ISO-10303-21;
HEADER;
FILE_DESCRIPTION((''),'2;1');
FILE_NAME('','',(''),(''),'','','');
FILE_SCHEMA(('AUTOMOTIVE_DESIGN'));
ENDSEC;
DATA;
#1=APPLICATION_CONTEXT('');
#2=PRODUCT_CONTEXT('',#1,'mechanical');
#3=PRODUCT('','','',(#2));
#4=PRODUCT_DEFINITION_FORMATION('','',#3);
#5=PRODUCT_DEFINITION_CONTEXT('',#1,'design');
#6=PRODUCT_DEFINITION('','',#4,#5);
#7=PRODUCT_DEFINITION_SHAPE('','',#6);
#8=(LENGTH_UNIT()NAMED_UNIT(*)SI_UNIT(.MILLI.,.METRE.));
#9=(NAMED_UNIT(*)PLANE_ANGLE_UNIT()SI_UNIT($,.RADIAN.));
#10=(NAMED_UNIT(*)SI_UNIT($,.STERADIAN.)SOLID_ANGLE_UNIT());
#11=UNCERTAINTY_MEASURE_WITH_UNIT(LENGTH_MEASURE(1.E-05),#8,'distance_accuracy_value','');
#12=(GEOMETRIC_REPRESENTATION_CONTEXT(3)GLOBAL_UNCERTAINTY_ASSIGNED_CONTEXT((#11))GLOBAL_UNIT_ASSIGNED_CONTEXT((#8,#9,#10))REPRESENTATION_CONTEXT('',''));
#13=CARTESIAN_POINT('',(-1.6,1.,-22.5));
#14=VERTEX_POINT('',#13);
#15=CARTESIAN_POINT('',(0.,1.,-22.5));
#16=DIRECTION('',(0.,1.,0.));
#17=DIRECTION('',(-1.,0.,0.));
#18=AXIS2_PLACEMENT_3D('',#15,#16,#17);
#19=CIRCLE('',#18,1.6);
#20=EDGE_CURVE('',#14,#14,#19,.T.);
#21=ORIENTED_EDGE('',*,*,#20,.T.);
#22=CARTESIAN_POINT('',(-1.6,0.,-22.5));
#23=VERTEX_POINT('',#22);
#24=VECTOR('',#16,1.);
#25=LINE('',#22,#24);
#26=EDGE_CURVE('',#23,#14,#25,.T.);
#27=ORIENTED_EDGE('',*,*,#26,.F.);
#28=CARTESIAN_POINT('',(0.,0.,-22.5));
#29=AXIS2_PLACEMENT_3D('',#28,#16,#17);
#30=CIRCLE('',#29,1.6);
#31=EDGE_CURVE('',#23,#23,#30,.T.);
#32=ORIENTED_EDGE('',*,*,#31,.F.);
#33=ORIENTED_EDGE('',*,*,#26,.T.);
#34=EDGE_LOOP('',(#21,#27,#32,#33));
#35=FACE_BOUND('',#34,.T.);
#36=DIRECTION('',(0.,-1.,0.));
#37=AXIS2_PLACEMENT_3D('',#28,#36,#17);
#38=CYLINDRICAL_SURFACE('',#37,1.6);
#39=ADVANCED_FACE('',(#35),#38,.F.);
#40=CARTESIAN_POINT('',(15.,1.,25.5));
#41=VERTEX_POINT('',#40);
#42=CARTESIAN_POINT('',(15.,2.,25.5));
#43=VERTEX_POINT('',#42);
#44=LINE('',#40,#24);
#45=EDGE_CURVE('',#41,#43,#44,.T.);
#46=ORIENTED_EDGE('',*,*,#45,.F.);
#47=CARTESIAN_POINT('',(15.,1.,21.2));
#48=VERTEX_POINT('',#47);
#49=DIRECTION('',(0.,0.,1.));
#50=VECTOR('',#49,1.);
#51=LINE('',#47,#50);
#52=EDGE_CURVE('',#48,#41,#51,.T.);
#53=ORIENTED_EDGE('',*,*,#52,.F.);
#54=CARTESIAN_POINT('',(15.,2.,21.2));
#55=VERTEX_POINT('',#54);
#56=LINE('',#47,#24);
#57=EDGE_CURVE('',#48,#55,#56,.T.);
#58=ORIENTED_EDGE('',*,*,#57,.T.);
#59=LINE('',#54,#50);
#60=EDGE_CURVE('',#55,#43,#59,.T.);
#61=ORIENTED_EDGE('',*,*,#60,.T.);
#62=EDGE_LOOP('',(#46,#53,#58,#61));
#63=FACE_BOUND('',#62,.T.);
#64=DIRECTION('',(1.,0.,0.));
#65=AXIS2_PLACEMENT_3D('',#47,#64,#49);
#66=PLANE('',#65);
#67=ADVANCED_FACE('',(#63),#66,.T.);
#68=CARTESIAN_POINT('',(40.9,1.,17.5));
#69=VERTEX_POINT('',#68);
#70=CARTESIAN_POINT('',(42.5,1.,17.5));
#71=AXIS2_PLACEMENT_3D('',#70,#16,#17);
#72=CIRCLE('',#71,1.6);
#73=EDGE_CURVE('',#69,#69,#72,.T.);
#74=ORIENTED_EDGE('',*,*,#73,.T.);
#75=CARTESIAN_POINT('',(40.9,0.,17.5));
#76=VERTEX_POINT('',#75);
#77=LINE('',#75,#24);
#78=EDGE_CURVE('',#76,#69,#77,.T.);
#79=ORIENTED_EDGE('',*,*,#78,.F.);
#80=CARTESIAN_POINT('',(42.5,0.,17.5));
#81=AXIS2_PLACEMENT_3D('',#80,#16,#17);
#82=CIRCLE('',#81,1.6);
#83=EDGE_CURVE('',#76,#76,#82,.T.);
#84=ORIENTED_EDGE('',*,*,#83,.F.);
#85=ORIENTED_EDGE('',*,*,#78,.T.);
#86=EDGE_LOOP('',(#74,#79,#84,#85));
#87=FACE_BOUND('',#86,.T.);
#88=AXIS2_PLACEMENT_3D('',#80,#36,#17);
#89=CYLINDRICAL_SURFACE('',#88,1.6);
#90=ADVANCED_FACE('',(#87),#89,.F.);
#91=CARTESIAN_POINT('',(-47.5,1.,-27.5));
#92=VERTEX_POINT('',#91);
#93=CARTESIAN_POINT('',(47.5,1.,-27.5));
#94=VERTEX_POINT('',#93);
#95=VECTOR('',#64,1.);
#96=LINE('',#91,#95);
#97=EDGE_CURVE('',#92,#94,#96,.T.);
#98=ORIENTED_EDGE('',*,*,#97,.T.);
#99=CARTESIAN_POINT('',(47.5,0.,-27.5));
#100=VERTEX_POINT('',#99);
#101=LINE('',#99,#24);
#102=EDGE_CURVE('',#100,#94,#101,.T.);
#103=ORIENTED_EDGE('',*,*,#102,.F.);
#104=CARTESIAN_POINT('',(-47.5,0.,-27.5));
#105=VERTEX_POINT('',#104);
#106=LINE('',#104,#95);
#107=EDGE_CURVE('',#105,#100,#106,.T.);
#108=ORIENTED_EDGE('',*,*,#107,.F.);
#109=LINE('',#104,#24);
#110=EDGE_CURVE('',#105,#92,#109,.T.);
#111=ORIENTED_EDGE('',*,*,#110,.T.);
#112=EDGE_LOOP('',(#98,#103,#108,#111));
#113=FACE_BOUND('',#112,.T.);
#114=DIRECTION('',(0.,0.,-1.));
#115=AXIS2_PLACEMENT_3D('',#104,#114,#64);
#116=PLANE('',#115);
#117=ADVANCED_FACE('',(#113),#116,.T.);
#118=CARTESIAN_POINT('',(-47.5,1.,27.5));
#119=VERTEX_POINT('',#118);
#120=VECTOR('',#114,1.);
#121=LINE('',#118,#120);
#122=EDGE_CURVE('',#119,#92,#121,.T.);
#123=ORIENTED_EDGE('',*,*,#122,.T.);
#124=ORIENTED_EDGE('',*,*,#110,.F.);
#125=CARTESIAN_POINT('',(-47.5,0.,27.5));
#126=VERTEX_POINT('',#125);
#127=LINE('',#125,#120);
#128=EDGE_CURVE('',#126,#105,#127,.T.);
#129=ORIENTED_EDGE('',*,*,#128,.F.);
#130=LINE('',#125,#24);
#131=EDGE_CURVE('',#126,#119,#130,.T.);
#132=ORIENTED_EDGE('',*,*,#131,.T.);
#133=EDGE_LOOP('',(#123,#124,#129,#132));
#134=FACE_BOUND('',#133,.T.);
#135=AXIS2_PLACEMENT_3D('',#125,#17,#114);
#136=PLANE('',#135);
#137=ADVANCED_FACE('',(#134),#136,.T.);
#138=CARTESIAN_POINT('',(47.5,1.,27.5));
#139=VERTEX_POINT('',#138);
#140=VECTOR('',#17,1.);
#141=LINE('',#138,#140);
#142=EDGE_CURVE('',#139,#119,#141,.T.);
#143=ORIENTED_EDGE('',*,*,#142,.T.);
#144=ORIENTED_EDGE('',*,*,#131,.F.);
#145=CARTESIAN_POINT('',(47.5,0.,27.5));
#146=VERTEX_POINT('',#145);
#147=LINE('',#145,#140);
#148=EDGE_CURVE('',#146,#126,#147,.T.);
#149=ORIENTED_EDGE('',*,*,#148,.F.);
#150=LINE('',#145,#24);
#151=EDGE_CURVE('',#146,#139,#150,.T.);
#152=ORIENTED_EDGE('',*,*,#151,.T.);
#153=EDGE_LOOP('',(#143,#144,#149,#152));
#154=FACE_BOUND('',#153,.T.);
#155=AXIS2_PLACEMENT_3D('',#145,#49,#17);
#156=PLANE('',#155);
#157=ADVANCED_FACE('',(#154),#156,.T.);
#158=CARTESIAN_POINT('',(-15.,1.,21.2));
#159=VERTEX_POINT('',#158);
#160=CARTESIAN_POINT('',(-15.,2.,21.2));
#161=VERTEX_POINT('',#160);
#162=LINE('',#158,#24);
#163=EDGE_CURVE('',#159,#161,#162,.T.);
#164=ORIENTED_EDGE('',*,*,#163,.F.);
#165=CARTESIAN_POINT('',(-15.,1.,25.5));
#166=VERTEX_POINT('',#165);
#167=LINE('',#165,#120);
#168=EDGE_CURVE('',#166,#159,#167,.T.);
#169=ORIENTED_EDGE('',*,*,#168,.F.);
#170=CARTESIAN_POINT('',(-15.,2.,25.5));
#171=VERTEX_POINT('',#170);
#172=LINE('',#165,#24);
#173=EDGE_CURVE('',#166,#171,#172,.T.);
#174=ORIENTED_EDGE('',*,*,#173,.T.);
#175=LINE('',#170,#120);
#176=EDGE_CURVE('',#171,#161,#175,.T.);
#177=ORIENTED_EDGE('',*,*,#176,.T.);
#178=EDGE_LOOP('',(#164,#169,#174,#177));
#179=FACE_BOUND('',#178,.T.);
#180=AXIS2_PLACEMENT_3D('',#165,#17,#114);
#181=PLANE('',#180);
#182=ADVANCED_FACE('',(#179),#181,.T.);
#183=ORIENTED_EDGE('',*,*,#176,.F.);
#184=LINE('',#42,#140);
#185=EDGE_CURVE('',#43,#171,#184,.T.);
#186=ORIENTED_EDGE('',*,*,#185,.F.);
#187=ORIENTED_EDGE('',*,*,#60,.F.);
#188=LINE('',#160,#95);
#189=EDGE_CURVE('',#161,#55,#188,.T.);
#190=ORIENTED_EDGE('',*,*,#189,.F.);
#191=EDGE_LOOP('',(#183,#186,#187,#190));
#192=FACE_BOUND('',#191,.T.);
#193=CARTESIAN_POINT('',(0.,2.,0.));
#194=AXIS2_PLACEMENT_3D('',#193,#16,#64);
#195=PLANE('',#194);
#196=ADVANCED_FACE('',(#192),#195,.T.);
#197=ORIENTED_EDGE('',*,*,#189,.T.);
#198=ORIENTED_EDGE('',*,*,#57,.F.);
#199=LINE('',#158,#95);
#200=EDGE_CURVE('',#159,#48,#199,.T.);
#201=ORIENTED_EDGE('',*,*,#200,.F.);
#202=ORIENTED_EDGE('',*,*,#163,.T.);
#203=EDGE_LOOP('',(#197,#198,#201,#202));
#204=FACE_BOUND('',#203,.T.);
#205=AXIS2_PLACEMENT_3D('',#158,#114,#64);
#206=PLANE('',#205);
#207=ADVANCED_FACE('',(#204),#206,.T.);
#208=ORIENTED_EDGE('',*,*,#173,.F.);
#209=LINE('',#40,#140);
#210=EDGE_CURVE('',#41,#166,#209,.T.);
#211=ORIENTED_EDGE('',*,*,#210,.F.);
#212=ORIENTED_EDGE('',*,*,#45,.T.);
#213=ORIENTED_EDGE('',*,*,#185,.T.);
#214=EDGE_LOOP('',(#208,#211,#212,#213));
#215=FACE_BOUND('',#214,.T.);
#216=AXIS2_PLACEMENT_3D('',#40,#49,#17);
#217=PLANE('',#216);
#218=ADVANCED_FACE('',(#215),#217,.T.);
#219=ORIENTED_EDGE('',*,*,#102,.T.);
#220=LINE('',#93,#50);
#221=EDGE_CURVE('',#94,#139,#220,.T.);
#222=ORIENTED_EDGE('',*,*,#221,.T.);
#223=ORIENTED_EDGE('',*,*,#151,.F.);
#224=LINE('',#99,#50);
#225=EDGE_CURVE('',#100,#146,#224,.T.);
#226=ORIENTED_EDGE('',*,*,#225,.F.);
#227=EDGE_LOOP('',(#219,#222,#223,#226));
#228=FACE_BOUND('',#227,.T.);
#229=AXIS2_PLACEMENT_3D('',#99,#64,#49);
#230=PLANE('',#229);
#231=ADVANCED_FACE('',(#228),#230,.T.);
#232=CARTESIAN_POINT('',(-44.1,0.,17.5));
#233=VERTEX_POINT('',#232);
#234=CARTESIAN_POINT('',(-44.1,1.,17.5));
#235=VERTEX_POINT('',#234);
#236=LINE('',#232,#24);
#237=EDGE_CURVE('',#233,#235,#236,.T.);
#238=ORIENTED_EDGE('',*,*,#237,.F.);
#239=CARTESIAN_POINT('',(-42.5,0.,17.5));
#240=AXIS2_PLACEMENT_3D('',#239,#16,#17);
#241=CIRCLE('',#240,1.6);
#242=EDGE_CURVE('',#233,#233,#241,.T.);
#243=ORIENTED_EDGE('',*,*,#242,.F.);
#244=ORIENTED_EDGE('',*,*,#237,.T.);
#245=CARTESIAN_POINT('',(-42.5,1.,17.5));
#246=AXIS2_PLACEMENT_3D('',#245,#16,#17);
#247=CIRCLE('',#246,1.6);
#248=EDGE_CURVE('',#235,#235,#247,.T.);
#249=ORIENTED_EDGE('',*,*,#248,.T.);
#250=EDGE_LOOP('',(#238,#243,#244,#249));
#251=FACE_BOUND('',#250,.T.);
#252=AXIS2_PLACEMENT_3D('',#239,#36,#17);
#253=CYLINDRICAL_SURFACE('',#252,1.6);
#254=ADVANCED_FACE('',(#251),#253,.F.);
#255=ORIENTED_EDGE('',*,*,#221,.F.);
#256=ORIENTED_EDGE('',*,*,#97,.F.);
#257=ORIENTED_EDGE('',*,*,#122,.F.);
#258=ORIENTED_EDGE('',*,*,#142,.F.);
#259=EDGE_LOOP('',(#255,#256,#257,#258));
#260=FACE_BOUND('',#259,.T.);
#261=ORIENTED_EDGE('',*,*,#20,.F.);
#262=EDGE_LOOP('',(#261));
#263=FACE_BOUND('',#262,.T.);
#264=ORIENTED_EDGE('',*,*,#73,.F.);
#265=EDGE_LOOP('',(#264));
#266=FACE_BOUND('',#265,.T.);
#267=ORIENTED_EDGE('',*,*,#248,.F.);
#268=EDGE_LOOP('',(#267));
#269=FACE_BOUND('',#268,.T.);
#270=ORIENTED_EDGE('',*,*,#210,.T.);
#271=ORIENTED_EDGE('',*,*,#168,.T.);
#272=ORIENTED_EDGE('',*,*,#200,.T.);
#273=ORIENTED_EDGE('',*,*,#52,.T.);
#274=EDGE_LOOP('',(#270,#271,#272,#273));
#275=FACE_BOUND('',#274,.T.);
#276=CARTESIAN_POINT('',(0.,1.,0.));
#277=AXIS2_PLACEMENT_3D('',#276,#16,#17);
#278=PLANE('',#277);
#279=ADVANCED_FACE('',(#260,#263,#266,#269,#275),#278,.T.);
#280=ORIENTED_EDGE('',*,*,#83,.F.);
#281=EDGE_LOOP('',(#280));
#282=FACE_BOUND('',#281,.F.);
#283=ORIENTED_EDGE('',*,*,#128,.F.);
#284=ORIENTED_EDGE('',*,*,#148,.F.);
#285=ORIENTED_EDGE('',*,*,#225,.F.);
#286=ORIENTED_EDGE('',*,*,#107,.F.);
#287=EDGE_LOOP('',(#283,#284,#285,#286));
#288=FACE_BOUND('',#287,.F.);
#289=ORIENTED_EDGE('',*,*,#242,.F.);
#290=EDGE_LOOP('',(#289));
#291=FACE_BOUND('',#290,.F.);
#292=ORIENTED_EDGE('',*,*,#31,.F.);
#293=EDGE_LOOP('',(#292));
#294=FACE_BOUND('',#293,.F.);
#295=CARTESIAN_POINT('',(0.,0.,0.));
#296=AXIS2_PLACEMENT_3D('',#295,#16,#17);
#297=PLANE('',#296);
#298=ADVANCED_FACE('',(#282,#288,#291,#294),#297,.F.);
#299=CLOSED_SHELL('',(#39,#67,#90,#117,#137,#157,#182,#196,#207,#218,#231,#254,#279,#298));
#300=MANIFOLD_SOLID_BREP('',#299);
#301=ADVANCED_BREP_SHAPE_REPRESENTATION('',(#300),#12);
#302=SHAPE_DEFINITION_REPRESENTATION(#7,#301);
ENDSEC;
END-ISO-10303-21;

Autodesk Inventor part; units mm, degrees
ref_plane "YZ Plane" through (0, 0, 0) normal (1, 0, 0) x (0, 1, 0)
ref_plane "XZ Plane" through (0, 0, 0) normal (0, 1, 0) x (-1, 0, 0)
ref_plane "XY Plane" through (0, 0, 0) normal (0, 0, 1) x (1, 0, 0)
sketch "Náčrt1" plane through (0, 0, 0) normal (0, 1, 0) x (-1, 0, 0)
  line L0 (-47.5, 27.5) -> (47.5, 27.5)
  line L1 (47.5, 27.5) -> (47.5, -27.5)
  line L2 (47.5, -27.5) -> (-47.5, -27.5)
  line L3 (-47.5, -27.5) -> (-47.5, 27.5)
  circle A0 centre (-42.5, 17.5) radius 1.6
  line L4 (-47.5, -27.5) -> (0, 0) construction
  line L5 (0, 0) -> (47.5, 27.5) construction
  line L6 (0, 0) -> (47.5, -27.5) construction
  circle A1 centre (42.5, 17.5) radius 1.6
  circle A2 centre (0, -22.5) radius 1.6
  dimension "d0" = 95
  dimension "d1" = 55
  dimension "d2" = 10
  dimension "d3" = 5
  dimension "d4" = 5
  dimension "d5" = 3.2
  dimension "d6" = 5
extrude "Vysunutí1" add sketch "Náčrt1" along normal blind 1
sketch "Náčrt4" plane through (0, 1, 0) normal (0, 1, 0) x (1, 0, 0)
  line L0 (7.8805, -3.6441) -> (-7.5821, -3.6441) construction
  line L1 (-7.5821, -3.6441) -> (-7.5821, 2.7129) construction
  line L2 (-7.5821, 2.7129) -> (7.8805, 2.7129) construction
  line L3 (7.8805, 2.7129) -> (7.8805, -3.6441) construction
  point P0 (0, 0)
sketch "Náčrt2" plane through (0, 1, 0) normal (0, 1, 0) x (1, 0, 0)
  line L0 (15, -25.5) -> (-15, -25.5)
  line L1 (-15, -25.5) -> (-15, -21.2)
  line L2 (-15, -21.2) -> (15, -21.2)
  line L3 (15, -21.2) -> (15, -25.5)
  line L4 (15, -21.2) -> (0, -23.35) construction
  line L5 (0, -23.35) -> (-15, -21.2) construction
  line L6 (0, -23.35) -> (-15, -25.5) construction
  line L7 (-47.5, -27.5) -> (47.5, -27.5) projected
  point P0 (0, 0)
  dimension "d9" = 4.3
  dimension "d10" = 30
  dimension "d11" = 2
extrude "Vysunutí2" add sketch "Náčrt2" along normal blind 1
sketch "Náčrt3" plane through (0, 2, 0) normal (0, 1, 0) x (1, 0, 0)
  line L0 (6.4228, -25.0535) -> (-10.4314, -25.0535) construction
  line L1 (-10.4314, -25.0535) -> (-10.4314, -21.2271) construction
  line L2 (-10.4314, -21.2271) -> (6.4228, -21.2271) construction
  line L3 (6.4228, -21.2271) -> (6.4228, -25.0535) construction
  point P0 (0, 0)
equation "\"d4\" = d3"
equation "\"d6\" = d3"
properties part number "pcb"
